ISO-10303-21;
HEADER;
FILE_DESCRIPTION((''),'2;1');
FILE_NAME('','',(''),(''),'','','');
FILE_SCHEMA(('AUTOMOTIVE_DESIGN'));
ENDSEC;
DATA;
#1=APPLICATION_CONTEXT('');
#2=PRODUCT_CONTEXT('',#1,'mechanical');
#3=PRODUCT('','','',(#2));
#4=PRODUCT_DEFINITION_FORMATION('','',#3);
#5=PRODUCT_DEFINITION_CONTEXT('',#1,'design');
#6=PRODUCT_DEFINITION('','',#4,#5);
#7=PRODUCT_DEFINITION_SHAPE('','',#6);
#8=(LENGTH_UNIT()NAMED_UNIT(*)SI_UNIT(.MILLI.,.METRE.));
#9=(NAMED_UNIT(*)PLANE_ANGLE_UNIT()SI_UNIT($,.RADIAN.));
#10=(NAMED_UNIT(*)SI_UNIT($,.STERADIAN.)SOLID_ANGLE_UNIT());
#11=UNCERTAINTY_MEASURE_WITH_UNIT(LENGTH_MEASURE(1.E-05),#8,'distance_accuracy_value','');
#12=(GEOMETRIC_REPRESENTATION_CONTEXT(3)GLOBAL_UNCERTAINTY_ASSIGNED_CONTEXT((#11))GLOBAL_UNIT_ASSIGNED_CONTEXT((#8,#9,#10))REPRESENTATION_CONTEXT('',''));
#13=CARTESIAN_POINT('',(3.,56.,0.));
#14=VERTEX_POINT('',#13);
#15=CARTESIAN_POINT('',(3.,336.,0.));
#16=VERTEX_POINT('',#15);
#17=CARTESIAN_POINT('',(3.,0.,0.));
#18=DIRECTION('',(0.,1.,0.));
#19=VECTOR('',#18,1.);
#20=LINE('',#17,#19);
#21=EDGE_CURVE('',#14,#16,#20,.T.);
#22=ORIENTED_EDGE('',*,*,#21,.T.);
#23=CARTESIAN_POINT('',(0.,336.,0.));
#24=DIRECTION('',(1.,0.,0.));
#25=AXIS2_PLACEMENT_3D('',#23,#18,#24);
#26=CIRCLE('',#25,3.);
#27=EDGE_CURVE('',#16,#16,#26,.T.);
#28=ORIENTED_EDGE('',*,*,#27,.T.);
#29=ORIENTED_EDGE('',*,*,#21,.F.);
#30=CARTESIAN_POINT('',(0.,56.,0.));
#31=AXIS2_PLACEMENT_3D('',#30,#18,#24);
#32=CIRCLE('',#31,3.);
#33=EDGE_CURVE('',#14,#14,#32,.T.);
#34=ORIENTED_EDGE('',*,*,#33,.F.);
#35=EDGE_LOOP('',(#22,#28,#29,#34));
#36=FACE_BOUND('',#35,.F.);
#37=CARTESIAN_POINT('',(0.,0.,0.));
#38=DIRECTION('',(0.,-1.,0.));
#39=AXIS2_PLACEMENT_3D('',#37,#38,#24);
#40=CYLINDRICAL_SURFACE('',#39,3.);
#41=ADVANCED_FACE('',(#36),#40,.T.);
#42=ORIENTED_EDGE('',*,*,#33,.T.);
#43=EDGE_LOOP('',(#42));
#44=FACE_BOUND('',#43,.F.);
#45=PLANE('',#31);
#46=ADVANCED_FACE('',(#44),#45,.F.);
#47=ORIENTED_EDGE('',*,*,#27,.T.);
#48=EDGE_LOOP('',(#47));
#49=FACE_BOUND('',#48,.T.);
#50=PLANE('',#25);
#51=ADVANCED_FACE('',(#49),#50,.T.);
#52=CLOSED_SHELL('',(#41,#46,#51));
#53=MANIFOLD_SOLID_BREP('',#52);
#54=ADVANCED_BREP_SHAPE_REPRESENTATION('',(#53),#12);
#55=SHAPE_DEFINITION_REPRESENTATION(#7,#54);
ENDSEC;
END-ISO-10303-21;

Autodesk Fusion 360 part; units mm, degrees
sketch "Sketch1" plane through (0, 0, 0) normal (0, 1, 0) x (1, 0, 0)
  circle A0 centre (0, 0) radius 3
  dimension "d1" = 6
extrude "Extrude1" add sketch "Sketch1" along normal blind 336
extrude "Extrude2" cut 1 faces at (-1.1591, 0, -0.5829) along direction (0, 1, 0) blind 50
extrude "Extrude3" cut 1 faces at (-1.1591, 50, -0.5829) along direction (0, 1, 0) blind 6
